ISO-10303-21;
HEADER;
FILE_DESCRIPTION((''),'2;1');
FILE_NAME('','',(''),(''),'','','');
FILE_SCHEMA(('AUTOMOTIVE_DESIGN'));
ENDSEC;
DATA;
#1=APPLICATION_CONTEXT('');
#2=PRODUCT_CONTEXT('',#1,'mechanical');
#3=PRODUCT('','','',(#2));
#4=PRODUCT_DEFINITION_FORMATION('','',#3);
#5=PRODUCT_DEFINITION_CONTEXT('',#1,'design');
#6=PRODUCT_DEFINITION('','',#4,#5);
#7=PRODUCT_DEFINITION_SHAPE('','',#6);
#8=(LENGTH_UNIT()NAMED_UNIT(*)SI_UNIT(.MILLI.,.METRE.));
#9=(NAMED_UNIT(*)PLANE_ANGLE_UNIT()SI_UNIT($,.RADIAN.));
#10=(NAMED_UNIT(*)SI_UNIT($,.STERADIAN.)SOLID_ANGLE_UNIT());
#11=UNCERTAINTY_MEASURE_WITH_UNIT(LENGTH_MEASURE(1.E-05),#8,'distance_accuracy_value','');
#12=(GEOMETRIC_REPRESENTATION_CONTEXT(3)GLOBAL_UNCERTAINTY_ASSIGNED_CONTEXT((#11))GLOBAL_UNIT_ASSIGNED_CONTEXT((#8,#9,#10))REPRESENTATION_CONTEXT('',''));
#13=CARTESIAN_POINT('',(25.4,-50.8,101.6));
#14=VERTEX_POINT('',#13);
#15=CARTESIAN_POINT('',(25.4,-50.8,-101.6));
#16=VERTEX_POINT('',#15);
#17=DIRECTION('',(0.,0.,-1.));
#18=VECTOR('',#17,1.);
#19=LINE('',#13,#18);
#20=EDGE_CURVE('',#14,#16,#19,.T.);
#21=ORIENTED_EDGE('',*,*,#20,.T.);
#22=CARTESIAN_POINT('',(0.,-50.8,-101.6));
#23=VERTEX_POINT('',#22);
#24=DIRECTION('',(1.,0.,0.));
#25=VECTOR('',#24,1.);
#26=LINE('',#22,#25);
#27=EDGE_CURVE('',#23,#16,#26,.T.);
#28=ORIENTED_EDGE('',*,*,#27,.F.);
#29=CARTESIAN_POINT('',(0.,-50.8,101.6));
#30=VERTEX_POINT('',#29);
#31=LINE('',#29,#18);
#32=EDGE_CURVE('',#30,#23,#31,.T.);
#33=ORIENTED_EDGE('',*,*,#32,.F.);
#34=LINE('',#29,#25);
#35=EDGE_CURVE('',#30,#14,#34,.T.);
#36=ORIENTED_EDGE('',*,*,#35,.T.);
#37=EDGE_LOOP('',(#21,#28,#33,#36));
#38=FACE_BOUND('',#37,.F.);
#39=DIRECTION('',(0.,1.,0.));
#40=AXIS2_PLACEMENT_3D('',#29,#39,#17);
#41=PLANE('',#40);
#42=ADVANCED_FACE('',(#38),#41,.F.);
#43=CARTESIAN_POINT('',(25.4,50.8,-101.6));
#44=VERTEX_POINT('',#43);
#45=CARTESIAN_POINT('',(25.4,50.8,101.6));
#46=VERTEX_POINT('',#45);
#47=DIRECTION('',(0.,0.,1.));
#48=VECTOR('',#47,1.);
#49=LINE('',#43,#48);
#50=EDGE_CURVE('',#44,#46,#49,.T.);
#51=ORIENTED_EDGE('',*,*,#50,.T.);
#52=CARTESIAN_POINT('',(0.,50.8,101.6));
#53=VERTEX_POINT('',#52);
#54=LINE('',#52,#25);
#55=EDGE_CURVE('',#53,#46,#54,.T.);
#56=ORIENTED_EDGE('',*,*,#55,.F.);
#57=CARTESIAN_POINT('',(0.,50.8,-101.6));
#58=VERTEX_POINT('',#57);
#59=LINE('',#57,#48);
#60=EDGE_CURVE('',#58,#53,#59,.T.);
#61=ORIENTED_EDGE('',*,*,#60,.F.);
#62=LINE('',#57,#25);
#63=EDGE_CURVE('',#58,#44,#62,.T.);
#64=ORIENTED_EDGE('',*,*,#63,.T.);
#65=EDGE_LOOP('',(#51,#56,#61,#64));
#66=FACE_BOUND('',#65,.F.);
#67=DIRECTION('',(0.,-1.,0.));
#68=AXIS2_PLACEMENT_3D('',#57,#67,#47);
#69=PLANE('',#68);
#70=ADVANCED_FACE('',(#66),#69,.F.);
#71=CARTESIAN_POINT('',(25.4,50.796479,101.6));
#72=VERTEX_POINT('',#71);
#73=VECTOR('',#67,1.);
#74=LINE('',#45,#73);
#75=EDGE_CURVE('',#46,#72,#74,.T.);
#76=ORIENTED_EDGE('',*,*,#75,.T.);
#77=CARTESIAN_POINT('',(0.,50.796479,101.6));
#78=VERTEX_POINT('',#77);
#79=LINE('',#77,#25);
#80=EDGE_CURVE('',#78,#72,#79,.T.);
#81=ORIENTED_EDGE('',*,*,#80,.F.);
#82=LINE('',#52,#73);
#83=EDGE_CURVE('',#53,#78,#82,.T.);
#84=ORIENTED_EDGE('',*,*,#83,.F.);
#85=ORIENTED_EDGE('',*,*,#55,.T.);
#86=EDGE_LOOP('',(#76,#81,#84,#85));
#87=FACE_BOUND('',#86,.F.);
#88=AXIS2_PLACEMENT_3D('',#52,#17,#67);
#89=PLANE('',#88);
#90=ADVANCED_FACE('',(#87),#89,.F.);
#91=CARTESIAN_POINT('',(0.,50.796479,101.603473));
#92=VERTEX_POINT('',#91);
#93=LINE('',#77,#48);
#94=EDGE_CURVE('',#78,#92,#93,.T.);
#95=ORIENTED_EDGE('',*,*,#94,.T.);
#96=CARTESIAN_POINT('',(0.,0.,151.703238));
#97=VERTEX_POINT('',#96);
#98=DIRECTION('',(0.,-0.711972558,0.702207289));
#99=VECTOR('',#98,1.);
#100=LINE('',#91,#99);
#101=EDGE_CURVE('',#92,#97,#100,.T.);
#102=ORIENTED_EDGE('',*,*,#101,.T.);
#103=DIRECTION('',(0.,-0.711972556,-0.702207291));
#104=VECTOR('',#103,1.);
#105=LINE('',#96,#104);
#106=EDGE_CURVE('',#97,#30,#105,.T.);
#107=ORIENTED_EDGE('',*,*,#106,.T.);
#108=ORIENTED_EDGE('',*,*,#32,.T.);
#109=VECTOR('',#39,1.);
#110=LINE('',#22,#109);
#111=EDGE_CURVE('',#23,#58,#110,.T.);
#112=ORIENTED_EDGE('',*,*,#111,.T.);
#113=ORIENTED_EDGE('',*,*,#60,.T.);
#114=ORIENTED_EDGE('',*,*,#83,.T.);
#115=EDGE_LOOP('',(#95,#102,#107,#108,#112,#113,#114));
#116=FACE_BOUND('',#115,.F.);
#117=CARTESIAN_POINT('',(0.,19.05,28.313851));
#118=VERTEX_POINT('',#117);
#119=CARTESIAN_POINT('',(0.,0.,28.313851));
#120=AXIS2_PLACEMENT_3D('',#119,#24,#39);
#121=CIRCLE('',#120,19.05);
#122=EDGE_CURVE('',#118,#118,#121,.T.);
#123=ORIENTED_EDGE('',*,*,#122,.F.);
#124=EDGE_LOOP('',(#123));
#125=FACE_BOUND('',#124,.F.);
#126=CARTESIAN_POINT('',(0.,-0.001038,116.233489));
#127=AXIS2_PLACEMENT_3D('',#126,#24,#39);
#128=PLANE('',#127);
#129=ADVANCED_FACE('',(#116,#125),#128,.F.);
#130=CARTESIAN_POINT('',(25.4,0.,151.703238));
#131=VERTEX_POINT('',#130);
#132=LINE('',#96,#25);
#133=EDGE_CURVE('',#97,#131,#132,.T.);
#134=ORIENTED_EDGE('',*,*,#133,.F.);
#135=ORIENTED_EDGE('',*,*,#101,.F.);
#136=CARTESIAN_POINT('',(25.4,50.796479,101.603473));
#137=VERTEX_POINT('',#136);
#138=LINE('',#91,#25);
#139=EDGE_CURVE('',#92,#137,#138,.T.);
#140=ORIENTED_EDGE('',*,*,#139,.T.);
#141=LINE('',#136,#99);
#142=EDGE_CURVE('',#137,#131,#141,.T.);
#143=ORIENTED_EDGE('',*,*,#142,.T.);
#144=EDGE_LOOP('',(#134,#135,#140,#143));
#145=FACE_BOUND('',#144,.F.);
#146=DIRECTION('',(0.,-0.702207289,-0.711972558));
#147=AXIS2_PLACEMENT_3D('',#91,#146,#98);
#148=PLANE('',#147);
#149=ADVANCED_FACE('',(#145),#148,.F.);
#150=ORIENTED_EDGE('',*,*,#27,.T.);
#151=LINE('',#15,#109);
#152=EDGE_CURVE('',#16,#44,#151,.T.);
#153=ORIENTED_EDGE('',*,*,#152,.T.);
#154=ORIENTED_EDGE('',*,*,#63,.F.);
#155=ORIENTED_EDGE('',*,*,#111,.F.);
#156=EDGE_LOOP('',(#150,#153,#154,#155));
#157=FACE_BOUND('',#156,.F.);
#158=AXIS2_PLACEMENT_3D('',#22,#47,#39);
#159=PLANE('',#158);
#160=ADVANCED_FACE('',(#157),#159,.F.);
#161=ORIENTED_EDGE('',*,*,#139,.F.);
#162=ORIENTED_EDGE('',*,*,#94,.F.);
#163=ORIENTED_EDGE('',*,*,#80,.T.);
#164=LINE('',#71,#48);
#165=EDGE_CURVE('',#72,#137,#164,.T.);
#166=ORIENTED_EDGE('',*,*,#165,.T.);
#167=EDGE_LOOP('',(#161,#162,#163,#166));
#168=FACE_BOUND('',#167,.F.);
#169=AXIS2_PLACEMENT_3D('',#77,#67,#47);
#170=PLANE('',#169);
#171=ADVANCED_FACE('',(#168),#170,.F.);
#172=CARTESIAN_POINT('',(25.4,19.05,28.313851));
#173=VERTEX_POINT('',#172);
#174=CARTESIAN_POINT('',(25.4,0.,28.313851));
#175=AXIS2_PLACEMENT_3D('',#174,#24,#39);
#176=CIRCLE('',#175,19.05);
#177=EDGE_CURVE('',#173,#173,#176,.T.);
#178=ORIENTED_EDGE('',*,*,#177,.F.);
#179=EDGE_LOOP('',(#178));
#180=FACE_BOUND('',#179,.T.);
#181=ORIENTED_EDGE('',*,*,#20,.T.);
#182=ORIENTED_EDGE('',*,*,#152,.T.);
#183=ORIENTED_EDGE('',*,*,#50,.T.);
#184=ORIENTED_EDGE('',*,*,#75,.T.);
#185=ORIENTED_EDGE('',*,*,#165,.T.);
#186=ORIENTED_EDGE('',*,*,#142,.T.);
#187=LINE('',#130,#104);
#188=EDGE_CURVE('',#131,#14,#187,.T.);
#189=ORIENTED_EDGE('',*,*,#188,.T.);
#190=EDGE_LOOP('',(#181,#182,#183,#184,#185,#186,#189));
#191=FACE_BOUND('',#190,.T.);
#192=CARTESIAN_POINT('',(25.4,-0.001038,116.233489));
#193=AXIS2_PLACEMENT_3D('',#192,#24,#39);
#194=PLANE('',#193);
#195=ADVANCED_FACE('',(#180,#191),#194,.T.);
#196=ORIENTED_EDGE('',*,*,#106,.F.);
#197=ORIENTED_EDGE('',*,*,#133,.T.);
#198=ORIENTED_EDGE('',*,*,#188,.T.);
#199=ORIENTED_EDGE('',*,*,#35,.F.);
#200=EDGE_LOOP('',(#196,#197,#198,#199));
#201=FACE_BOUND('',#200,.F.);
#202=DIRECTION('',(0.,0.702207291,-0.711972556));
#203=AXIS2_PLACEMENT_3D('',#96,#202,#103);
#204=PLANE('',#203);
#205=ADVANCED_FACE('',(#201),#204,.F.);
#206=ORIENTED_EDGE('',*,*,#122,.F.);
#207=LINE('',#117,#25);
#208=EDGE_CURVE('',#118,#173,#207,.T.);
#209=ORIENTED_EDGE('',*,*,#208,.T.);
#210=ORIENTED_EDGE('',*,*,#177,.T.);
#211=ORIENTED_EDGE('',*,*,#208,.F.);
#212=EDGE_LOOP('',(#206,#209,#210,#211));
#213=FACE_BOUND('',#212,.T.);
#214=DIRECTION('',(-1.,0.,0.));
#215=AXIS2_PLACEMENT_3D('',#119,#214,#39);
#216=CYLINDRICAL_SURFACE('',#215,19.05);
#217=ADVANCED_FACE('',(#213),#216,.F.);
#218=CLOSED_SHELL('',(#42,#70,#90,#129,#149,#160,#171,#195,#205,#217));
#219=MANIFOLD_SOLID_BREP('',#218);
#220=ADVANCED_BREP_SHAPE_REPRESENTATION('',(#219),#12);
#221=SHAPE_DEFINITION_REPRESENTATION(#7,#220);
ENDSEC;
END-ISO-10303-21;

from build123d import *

# Parameters (mm, degrees)
F0_R     = 19.05
F1_DEPTH = 25.4


with BuildPart() as f1:
    # F0 (on Right) → F1 (new body)
    with BuildSketch(Plane.YZ):
        Polygon((0, 151.703238), (-50.8, 101.6), (50.796479, 101.6), (50.796479, 101.603473), align=None)
        Polygon((-50.8, -101.6), (50.8, -101.6), (50.8, 101.6), (50.796479, 101.6), (-50.8, 101.6), align=None)
        with Locations((0, 28.313851)):
            Circle(F0_R, mode=Mode.SUBTRACT)
    extrude(amount=F1_DEPTH)


solid = f1.part
